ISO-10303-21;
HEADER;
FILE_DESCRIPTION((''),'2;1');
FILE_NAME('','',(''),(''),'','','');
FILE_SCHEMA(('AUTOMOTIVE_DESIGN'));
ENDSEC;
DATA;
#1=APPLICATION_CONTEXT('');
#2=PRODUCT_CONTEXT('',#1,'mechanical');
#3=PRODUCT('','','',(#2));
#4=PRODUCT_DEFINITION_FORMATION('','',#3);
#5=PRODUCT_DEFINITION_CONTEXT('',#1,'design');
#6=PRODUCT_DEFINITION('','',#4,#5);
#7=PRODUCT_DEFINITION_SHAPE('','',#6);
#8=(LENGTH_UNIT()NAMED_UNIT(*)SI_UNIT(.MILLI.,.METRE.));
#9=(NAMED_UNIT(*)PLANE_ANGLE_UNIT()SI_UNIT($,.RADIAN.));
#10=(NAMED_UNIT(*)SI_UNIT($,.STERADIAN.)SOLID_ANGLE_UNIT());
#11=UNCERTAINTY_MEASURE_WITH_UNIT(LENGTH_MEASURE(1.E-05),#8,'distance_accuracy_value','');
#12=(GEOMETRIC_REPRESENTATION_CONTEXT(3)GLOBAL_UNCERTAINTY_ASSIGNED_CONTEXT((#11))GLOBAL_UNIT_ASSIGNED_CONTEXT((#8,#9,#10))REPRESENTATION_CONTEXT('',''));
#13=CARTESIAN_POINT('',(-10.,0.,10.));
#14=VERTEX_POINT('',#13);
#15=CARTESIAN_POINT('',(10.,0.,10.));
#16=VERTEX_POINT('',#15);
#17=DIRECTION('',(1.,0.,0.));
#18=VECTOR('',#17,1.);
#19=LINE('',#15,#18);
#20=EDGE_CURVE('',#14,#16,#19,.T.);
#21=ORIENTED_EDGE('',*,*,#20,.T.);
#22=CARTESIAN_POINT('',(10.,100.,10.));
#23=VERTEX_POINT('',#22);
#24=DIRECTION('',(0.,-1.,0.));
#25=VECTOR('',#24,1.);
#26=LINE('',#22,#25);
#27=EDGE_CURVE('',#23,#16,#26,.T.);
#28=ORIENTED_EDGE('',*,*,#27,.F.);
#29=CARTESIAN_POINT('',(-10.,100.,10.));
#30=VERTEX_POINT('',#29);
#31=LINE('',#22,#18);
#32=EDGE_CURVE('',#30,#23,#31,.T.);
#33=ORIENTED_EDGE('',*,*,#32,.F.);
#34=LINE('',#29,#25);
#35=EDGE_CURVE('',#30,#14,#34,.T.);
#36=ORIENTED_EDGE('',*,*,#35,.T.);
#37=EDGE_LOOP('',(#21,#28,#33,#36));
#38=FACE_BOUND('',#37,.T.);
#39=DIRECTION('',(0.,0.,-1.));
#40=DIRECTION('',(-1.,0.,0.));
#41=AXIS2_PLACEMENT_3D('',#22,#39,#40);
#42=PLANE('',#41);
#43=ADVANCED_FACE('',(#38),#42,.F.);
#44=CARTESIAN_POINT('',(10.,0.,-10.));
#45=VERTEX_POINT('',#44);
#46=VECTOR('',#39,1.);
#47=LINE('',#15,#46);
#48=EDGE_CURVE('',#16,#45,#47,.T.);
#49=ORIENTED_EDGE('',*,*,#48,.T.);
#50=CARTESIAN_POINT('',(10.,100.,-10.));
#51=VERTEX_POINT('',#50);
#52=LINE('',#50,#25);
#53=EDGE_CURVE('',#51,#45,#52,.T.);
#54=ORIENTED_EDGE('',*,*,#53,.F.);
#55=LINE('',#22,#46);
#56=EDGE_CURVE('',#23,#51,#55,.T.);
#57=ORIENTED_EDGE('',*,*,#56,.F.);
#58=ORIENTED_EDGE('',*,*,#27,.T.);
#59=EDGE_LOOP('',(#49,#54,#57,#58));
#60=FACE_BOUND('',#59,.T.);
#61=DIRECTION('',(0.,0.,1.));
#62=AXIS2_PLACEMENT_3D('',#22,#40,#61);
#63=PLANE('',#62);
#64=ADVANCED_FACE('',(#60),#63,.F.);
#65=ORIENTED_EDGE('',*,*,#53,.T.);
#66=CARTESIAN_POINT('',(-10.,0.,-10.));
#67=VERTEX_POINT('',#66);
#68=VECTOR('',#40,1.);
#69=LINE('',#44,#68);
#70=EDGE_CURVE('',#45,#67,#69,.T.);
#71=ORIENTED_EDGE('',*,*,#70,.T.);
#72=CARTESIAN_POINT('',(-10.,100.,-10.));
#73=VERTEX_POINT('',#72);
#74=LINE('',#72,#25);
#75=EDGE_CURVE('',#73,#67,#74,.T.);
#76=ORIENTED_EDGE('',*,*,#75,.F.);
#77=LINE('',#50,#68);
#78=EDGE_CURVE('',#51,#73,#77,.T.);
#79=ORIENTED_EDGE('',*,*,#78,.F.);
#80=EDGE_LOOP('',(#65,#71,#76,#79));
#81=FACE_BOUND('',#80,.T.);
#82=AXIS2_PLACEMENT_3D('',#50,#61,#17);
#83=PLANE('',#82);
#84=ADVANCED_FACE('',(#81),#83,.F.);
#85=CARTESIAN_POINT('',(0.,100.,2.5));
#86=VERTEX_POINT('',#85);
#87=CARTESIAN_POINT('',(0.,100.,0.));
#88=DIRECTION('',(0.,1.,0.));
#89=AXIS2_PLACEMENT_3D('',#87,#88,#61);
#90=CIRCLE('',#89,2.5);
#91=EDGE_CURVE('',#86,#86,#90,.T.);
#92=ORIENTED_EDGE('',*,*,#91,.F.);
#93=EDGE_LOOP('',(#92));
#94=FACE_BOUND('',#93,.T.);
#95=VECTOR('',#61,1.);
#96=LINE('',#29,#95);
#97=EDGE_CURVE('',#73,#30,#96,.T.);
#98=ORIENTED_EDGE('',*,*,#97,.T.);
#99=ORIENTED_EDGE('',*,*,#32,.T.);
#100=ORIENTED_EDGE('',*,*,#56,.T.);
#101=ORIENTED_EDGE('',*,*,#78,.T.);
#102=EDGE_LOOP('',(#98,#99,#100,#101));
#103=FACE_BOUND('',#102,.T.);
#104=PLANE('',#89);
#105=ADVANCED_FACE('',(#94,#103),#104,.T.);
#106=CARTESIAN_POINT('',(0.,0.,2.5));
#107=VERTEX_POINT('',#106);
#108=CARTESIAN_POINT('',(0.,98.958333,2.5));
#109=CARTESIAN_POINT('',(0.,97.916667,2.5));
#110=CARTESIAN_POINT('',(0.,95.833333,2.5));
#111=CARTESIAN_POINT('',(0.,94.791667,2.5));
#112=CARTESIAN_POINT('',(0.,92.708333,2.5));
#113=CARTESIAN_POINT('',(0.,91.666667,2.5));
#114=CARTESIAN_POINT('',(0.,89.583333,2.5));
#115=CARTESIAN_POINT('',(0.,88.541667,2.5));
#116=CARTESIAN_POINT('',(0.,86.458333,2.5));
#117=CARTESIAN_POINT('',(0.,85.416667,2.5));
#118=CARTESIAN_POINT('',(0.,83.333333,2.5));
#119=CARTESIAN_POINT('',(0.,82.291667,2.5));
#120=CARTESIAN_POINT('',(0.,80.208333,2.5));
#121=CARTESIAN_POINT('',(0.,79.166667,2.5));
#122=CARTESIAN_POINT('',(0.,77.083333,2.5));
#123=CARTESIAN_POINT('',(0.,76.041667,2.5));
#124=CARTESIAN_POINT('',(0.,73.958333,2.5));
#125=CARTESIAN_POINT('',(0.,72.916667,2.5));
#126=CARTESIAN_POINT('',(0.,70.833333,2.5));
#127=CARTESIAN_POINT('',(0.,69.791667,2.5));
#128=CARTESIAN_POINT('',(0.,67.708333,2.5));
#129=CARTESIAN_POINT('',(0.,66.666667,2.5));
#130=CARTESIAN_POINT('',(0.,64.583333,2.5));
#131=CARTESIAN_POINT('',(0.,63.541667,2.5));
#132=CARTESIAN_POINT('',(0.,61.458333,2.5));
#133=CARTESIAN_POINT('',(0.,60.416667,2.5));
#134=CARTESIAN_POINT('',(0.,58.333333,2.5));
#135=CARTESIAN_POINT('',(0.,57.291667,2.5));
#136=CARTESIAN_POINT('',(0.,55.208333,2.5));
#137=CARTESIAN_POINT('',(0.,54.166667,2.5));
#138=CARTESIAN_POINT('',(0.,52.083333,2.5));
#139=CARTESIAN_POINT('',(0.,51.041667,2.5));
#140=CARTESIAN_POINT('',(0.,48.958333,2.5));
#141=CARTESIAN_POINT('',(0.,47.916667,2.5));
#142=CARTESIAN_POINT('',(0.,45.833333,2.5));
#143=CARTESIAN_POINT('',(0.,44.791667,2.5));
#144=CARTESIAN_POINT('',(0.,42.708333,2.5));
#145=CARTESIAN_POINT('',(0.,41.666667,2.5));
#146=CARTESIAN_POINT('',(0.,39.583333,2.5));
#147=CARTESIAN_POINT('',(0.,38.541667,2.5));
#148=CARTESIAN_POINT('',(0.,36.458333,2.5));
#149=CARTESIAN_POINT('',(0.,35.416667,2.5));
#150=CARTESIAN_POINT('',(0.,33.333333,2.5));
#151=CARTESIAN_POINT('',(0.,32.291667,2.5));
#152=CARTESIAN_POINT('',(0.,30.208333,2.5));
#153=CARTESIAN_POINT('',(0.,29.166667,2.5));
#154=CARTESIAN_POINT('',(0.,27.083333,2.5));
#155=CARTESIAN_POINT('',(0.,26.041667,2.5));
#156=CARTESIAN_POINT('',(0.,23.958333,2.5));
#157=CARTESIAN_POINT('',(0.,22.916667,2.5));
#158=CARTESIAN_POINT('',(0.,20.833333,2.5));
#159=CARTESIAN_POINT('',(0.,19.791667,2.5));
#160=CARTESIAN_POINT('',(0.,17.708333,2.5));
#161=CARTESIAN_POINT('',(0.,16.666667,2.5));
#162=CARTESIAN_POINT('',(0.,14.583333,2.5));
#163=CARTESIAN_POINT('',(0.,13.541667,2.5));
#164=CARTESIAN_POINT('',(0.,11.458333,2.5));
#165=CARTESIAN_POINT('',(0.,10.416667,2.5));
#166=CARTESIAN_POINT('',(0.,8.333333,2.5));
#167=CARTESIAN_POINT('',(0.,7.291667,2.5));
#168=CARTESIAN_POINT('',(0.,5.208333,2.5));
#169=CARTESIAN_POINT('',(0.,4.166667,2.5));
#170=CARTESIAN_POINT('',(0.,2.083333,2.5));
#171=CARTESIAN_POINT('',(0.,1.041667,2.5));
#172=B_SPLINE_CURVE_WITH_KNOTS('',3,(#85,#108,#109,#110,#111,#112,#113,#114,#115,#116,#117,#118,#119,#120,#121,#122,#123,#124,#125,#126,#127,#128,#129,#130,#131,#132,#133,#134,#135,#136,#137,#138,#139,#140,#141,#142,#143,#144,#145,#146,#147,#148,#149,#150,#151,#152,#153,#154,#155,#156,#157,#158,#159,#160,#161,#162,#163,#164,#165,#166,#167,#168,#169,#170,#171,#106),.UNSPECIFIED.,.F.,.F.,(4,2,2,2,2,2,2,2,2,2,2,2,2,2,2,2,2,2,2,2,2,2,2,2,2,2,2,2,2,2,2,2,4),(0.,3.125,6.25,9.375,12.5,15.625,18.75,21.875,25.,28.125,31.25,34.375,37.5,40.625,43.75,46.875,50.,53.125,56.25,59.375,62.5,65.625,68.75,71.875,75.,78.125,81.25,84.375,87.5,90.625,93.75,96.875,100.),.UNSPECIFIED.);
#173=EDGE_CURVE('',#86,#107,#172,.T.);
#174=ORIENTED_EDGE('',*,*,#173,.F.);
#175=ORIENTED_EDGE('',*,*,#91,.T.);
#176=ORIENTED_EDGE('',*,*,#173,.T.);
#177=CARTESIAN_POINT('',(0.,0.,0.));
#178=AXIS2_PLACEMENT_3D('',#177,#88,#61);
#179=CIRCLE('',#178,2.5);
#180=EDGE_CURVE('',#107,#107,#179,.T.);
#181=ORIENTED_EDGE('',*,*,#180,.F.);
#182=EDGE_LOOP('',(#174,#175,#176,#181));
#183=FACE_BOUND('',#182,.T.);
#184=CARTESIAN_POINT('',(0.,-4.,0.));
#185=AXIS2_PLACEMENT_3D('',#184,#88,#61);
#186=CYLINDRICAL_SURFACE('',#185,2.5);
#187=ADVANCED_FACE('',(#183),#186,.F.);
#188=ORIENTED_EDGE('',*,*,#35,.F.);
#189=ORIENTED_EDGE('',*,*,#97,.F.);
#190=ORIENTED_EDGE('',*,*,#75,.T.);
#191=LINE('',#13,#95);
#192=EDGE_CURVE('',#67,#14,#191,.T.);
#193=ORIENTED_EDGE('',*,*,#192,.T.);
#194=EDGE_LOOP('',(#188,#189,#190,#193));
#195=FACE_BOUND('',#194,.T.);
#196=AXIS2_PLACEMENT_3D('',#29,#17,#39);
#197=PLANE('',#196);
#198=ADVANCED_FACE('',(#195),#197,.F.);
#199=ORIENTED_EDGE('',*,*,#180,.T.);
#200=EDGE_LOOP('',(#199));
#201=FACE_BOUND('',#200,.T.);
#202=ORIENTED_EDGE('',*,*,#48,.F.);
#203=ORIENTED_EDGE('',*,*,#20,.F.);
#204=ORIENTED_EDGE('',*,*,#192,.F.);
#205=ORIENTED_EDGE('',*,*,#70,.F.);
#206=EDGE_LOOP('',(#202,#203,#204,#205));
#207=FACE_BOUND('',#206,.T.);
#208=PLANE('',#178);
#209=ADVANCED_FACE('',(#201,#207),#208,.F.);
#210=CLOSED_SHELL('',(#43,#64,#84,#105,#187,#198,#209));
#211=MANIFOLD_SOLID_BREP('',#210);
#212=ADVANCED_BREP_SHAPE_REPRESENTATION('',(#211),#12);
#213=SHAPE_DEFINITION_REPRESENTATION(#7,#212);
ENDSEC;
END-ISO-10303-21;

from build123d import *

# Parameters (mm, degrees)
SKETCH1_W           = 20
SKETCH1_H           = 20
BOSS_EXTRUDE1_DEPTH = 100
SKETCH2_R           = 2.5
CUT_EXTRUDE1_DEPTH  = 104


with BuildPart() as part:
    # Sketch1 → Boss-Extrude1 (new body)
    with BuildSketch(Plane(origin=(0, 0, 0), x_dir=(1, 0, 0), z_dir=(0, 1, 0))):
        Rectangle(SKETCH1_W, SKETCH1_H)
    extrude(amount=BOSS_EXTRUDE1_DEPTH)

    # Sketch2 → Cut-Extrude1 (cut)
    with BuildSketch(Plane(origin=(0, 100, 0), x_dir=(1, 0, 0), z_dir=(0, 1, 0))):
        with Locations(Location((0, 0, 0), (0, 0, 270))):
            Circle(SKETCH2_R)
    extrude(amount=-CUT_EXTRUDE1_DEPTH, mode=Mode.SUBTRACT)


solid = part.part
